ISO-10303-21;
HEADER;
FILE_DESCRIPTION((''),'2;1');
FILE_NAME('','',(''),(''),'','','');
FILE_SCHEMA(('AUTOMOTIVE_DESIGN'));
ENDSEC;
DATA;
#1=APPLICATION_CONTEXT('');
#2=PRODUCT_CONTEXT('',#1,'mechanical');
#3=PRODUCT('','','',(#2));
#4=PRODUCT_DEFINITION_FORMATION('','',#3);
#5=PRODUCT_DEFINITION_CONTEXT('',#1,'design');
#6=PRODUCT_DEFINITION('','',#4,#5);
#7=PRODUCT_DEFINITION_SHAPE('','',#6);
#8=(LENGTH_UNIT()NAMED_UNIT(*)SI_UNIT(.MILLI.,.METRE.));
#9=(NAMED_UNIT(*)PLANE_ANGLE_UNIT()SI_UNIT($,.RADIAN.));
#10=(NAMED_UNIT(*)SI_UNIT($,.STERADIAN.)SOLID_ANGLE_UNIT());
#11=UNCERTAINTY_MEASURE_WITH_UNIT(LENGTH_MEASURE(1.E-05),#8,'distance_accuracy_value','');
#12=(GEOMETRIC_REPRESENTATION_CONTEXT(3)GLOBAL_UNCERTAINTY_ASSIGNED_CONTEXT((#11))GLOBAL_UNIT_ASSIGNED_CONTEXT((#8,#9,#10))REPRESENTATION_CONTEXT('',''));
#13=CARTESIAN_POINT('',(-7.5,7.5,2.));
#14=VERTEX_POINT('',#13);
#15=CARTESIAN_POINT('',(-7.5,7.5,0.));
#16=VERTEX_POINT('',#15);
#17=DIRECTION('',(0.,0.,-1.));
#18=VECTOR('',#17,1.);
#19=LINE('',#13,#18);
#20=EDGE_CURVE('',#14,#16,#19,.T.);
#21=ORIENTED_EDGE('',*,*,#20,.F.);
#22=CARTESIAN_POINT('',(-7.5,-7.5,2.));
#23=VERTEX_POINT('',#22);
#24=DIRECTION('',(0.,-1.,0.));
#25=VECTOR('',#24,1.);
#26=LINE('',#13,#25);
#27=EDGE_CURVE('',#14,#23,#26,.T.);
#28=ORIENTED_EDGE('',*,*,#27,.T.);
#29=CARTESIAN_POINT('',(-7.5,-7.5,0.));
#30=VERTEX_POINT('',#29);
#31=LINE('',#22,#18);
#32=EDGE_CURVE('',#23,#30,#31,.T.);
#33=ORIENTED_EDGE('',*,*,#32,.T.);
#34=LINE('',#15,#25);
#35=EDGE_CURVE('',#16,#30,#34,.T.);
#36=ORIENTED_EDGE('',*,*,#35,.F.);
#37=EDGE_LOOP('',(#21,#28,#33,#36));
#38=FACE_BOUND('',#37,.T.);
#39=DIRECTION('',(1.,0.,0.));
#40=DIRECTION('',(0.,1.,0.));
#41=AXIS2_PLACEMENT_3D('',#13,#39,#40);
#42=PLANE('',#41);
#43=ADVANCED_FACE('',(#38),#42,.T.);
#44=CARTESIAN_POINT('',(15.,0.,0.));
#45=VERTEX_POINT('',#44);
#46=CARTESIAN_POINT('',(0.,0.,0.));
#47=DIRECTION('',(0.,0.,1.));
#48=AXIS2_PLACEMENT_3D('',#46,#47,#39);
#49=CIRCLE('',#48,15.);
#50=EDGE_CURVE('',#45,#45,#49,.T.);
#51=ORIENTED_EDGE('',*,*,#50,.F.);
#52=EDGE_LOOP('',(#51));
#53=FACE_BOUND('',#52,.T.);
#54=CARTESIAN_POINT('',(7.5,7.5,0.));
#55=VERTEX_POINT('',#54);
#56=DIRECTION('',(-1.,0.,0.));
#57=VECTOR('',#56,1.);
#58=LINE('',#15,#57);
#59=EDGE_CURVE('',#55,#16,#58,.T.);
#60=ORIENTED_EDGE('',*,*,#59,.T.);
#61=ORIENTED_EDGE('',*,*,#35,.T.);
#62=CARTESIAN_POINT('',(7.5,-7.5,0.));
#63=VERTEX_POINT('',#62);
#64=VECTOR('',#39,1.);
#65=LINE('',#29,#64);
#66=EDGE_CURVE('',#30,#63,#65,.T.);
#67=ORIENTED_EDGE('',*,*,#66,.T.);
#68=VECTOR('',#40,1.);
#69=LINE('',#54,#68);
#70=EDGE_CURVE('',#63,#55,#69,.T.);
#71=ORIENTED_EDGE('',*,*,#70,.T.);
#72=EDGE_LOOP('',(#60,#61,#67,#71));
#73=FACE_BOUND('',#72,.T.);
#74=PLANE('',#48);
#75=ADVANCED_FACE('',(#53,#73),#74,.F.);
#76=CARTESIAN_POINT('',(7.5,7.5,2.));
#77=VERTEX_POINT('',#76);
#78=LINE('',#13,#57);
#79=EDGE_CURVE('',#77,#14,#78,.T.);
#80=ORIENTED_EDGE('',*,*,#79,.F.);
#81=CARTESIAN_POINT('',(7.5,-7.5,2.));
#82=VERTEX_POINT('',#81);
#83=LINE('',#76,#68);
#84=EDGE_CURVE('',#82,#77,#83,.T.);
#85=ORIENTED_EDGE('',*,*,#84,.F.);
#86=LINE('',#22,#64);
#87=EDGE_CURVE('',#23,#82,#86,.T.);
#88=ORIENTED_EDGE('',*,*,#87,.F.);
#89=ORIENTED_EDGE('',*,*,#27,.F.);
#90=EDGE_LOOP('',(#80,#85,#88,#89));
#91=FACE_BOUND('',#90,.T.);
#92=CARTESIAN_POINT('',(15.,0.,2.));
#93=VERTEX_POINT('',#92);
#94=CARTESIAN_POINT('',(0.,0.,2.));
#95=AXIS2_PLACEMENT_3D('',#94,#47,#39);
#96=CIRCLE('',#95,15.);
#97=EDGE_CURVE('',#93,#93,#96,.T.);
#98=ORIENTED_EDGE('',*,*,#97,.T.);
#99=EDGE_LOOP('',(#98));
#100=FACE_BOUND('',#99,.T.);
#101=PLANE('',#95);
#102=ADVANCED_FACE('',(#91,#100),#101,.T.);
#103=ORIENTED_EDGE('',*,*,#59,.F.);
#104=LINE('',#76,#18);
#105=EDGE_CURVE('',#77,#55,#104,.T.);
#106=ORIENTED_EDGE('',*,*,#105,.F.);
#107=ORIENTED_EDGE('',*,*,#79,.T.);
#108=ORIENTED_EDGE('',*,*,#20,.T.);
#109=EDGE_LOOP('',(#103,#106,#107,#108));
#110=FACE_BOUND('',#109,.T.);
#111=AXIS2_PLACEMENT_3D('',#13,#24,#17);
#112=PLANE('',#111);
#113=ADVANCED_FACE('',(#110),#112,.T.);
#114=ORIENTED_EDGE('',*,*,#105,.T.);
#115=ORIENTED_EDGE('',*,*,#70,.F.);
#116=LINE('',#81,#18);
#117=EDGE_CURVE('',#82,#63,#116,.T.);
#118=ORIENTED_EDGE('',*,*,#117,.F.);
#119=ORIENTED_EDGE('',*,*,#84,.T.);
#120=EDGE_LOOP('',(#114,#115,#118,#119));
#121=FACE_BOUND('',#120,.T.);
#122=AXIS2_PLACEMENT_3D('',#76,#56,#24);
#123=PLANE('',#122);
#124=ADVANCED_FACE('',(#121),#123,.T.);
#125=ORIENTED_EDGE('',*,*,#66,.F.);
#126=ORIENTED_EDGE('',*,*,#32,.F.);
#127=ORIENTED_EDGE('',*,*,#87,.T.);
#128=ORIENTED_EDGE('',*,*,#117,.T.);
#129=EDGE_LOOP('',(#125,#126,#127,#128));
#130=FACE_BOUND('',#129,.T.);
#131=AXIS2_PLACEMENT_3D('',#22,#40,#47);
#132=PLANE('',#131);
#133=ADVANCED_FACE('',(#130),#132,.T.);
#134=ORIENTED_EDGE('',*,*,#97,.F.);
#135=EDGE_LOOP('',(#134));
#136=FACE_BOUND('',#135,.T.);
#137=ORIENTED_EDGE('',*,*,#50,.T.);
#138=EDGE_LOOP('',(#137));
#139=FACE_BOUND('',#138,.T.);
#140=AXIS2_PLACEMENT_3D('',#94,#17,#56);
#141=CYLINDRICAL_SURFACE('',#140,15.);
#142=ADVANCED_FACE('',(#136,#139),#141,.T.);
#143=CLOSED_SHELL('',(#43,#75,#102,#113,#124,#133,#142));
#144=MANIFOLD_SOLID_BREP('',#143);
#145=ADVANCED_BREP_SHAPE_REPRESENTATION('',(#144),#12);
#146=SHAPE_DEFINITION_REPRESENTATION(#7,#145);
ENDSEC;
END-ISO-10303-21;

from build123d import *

# Parameters (mm, degrees)
SKETCH1_R           = 15
SKETCH1_W           = 15
SKETCH1_H           = 15
BOSS_EXTRUDE1_DEPTH = 2


with BuildPart() as part:
    # Sketch1 → Boss-Extrude1 (new body)
    with BuildSketch(Plane.XY):
        Circle(SKETCH1_R)
        Rectangle(SKETCH1_W, SKETCH1_H, mode=Mode.SUBTRACT)
    extrude(amount=BOSS_EXTRUDE1_DEPTH)


solid = part.part
